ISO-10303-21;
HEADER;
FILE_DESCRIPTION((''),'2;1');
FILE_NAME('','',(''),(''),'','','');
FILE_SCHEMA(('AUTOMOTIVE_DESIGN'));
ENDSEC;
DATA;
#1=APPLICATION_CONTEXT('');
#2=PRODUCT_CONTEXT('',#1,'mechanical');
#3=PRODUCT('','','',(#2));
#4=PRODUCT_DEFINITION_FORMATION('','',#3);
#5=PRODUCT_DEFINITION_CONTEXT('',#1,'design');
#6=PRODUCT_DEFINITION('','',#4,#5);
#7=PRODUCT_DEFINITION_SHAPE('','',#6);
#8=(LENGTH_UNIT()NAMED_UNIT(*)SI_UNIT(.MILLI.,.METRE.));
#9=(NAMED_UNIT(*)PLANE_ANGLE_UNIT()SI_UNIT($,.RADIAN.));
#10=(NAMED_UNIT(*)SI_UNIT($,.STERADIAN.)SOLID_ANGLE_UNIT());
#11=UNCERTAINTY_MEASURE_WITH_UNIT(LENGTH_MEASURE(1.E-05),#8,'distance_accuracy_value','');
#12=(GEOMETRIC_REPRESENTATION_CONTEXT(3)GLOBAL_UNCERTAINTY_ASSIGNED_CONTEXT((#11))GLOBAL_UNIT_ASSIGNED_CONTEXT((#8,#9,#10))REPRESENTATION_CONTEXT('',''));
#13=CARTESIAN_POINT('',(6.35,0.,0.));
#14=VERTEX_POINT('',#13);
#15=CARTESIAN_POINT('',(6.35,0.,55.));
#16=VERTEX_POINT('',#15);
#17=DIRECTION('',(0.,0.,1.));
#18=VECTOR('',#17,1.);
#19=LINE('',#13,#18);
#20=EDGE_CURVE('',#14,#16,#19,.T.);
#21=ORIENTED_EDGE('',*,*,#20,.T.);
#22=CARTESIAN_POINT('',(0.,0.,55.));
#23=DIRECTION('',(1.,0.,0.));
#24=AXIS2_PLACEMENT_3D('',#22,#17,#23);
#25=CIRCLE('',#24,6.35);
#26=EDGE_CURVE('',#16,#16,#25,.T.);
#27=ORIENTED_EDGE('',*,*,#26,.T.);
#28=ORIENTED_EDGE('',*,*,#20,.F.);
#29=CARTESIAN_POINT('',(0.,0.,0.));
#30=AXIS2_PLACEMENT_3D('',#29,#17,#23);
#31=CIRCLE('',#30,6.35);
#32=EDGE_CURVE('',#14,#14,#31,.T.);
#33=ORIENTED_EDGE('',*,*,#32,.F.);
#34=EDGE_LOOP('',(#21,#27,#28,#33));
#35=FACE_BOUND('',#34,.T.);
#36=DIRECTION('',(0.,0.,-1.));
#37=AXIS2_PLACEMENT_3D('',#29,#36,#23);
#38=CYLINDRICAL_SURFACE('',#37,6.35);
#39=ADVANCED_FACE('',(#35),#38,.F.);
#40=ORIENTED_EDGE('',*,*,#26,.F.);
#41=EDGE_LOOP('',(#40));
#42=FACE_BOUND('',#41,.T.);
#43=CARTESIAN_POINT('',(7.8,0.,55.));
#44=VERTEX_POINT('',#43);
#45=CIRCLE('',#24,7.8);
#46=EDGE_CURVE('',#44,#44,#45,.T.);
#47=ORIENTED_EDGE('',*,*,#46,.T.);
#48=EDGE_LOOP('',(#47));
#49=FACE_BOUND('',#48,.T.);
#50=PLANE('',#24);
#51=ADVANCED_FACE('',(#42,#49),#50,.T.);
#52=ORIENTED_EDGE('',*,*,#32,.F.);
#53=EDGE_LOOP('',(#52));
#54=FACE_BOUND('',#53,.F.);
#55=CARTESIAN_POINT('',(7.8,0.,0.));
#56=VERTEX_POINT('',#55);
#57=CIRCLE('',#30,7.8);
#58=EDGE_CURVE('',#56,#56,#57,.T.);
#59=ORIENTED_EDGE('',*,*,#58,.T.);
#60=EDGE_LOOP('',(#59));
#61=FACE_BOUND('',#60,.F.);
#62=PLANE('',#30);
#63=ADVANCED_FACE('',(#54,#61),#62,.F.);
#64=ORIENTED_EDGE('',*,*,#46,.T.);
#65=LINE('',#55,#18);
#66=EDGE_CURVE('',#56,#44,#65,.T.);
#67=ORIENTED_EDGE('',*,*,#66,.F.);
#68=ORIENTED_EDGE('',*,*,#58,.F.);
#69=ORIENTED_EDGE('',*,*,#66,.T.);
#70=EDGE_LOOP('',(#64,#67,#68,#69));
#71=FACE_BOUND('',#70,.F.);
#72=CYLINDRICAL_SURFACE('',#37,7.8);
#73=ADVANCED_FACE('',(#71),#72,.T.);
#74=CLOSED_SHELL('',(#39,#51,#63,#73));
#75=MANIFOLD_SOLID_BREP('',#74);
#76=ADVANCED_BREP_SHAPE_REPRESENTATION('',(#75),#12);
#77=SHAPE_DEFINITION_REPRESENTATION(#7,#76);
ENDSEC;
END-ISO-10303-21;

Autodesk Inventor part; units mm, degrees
ref_plane "YZ Plane" through (0, 0, 0) normal (1, 0, 0) x (0, 1, 0)
ref_plane "XZ Plane" through (0, 0, 0) normal (0, 1, 0) x (-1, 0, 0)
ref_plane "XY Plane" through (0, 0, 0) normal (0, 0, 1) x (1, 0, 0)
sketch "Sketch1" plane through (0, 0, 0) normal (0, 0, 1) x (1, 0, 0)
  circle A0 centre (0, 0) radius 7.8
  circle A1 centre (0, 0) radius 6.35
  dimension "d0" = 15.6
  dimension "d1" = 12.7
extrude "Extrusion1" add sketch "Sketch1" along normal blind 55
properties part number "Tubo4" material "PVC, Unplasticized"
